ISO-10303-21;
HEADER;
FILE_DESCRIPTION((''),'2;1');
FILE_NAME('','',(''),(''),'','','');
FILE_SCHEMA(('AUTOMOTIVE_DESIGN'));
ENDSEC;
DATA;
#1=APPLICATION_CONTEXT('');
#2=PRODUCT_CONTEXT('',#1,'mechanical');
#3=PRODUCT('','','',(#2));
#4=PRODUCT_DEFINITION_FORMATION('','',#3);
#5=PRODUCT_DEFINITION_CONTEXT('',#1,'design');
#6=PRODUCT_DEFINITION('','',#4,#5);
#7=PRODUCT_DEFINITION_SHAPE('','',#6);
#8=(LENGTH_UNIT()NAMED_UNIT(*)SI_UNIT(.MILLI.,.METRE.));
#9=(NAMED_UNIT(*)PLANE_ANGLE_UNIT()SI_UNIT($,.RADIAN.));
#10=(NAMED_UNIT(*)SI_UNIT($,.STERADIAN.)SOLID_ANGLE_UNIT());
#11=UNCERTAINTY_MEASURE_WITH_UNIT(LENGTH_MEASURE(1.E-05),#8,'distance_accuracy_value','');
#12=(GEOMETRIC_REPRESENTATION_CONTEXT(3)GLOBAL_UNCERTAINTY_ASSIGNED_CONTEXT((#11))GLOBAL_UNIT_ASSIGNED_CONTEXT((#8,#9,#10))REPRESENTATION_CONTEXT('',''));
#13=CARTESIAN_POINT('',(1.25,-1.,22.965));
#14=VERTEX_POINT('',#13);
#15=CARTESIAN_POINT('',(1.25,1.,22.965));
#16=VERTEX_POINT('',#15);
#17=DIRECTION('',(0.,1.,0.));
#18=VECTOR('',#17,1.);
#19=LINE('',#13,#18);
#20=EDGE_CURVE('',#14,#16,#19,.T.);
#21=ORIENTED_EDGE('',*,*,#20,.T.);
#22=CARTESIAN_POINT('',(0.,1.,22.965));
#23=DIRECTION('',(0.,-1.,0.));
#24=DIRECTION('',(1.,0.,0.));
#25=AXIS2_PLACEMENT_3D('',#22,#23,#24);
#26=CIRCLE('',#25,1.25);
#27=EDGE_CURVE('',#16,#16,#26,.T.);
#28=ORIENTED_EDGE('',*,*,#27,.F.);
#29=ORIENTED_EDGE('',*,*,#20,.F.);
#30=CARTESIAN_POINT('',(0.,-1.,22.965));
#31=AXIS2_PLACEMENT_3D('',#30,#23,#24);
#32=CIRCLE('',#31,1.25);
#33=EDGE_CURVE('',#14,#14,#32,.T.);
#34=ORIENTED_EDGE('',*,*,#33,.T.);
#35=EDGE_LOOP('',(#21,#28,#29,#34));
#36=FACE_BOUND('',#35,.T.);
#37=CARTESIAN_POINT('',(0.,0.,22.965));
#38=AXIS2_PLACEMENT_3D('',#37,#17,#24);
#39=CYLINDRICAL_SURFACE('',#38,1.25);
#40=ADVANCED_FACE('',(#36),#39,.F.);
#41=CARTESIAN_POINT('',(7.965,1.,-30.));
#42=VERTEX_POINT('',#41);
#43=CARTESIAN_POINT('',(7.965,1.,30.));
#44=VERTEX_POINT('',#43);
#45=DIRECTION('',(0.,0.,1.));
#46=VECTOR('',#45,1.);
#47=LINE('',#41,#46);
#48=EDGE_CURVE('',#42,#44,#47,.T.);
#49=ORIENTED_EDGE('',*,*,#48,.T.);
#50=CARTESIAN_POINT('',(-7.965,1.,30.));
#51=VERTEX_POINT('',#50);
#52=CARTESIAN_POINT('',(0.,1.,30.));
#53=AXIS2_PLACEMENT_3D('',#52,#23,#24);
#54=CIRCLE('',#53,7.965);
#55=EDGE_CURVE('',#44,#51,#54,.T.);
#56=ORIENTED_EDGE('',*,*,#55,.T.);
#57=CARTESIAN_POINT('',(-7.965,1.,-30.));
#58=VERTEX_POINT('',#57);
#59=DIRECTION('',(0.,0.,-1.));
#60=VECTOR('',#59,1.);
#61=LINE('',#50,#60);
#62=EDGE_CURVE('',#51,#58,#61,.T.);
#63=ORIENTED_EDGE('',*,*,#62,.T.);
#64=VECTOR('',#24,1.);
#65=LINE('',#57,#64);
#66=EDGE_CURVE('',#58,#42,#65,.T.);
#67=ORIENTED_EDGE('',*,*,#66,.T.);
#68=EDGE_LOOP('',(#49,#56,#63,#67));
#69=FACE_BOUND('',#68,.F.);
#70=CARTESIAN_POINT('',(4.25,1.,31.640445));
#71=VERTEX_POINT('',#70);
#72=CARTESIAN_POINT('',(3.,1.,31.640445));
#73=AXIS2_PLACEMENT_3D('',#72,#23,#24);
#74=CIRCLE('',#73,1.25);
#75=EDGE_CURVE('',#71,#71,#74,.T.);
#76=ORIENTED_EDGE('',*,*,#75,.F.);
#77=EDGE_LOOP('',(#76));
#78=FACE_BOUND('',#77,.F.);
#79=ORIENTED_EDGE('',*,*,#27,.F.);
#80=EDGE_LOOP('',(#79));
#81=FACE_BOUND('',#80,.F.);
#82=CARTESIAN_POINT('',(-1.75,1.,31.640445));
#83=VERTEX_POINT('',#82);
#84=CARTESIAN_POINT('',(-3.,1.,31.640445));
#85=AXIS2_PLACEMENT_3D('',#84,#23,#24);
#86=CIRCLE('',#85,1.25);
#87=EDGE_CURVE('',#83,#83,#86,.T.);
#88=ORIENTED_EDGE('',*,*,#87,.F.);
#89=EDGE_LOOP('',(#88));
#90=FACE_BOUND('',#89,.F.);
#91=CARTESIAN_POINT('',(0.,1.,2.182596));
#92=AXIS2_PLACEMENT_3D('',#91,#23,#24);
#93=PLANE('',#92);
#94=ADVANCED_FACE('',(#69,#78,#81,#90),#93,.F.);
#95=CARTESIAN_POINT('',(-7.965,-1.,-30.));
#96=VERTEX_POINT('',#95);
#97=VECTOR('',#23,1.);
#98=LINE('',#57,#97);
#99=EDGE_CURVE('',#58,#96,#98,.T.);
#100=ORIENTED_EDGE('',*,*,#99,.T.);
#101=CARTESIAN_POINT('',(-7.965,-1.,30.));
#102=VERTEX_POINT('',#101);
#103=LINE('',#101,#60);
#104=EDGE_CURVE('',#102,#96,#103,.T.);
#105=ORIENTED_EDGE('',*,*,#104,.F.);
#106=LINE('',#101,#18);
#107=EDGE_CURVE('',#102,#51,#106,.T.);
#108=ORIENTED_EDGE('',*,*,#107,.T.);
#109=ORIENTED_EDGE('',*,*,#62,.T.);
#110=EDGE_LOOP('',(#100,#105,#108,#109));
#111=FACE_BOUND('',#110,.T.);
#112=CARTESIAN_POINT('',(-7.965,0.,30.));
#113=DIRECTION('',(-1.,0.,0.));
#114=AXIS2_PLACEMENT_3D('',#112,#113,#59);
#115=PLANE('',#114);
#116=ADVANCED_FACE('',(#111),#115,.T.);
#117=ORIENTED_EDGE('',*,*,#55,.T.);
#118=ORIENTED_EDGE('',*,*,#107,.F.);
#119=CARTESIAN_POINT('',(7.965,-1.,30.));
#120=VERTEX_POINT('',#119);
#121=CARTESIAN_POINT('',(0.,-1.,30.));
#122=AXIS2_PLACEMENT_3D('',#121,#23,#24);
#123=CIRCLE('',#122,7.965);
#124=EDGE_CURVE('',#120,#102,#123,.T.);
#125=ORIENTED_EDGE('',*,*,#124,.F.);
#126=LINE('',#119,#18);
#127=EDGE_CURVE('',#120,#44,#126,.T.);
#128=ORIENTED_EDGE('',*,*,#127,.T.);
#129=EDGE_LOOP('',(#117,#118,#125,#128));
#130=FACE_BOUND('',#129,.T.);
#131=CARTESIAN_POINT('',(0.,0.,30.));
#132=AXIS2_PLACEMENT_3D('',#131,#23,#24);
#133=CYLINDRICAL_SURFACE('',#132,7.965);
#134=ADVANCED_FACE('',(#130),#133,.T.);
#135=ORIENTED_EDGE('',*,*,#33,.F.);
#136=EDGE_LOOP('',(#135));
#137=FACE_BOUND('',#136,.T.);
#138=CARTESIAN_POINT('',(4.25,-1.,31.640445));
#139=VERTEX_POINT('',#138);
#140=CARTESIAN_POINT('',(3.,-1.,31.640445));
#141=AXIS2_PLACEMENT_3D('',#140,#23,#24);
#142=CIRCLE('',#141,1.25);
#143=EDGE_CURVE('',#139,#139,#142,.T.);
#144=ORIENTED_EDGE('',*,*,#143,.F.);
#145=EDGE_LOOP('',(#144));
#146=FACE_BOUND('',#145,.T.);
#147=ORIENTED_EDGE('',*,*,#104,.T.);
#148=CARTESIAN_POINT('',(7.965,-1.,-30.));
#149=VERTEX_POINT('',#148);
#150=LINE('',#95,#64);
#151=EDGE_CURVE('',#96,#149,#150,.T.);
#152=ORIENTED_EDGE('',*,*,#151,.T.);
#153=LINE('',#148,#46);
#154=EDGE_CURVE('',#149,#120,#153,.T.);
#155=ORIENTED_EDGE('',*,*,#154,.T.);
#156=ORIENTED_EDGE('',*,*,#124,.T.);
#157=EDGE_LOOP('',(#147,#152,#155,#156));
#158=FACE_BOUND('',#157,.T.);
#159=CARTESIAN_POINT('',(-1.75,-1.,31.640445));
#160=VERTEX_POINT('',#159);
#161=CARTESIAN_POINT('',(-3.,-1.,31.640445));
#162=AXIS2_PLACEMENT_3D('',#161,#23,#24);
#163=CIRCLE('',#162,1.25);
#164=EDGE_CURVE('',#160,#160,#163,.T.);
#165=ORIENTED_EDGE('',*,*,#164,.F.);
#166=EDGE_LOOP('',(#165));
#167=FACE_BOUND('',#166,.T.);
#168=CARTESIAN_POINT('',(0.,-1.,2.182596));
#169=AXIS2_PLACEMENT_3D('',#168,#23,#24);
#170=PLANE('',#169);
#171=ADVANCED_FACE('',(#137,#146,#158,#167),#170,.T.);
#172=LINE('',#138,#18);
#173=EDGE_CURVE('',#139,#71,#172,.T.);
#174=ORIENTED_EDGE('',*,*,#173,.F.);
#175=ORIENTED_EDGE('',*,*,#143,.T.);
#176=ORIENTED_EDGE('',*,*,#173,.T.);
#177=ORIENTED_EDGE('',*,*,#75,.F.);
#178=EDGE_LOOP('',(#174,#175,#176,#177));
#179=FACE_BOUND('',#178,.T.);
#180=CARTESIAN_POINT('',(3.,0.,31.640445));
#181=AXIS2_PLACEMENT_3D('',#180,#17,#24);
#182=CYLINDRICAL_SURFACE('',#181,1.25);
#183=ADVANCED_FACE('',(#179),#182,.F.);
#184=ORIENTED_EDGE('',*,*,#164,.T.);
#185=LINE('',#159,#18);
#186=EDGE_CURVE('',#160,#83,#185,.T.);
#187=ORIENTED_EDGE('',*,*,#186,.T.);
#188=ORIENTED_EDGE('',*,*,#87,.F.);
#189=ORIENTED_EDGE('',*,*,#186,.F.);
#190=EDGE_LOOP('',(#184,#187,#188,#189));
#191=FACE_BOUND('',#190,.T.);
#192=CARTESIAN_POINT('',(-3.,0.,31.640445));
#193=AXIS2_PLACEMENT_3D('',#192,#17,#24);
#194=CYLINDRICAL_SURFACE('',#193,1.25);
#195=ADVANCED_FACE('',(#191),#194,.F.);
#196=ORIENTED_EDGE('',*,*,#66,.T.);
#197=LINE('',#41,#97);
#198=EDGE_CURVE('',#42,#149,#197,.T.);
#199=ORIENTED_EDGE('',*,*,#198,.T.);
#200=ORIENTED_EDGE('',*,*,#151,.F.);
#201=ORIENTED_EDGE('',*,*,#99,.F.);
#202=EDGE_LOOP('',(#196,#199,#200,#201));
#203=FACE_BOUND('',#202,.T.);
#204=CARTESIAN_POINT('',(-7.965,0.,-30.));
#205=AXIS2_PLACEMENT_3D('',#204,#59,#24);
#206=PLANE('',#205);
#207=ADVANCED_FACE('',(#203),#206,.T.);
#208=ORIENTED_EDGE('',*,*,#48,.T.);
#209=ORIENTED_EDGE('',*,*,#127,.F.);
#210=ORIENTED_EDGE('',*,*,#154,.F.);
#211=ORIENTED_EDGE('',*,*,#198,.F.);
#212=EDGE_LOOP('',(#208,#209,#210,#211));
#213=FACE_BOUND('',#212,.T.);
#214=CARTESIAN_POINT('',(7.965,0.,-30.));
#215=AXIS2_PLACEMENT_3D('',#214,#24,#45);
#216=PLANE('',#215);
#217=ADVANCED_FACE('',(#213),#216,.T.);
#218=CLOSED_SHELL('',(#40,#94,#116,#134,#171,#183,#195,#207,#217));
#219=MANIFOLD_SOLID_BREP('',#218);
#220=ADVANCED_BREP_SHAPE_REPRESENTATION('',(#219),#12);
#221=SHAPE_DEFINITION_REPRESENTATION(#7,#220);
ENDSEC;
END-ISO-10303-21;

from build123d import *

# Parameters (mm, degrees)
F0_R     = 1.25
F1_DEPTH = 1


with BuildPart() as f1:
    # F0 (on Front) → F1 (new body, symmetric)
    with BuildSketch(Plane.XZ):
        with BuildLine():
            Line((-7.965, 30), (-7.965, -30))
            Line((-7.965, -30), (7.965, -30))
            Line((7.965, -30), (7.965, 30))
            ThreePointArc((7.965, 30), (0, 37.965), (-7.965, 30))
        make_face()
        with Locations((-3, 31.640445)):
            Circle(F0_R, mode=Mode.SUBTRACT)
        with Locations((0, 22.965)):
            Circle(F0_R, mode=Mode.SUBTRACT)
        with Locations((3, 31.640445)):
            Circle(F0_R, mode=Mode.SUBTRACT)
    extrude(amount=F1_DEPTH, both=True)


solid = f1.part
